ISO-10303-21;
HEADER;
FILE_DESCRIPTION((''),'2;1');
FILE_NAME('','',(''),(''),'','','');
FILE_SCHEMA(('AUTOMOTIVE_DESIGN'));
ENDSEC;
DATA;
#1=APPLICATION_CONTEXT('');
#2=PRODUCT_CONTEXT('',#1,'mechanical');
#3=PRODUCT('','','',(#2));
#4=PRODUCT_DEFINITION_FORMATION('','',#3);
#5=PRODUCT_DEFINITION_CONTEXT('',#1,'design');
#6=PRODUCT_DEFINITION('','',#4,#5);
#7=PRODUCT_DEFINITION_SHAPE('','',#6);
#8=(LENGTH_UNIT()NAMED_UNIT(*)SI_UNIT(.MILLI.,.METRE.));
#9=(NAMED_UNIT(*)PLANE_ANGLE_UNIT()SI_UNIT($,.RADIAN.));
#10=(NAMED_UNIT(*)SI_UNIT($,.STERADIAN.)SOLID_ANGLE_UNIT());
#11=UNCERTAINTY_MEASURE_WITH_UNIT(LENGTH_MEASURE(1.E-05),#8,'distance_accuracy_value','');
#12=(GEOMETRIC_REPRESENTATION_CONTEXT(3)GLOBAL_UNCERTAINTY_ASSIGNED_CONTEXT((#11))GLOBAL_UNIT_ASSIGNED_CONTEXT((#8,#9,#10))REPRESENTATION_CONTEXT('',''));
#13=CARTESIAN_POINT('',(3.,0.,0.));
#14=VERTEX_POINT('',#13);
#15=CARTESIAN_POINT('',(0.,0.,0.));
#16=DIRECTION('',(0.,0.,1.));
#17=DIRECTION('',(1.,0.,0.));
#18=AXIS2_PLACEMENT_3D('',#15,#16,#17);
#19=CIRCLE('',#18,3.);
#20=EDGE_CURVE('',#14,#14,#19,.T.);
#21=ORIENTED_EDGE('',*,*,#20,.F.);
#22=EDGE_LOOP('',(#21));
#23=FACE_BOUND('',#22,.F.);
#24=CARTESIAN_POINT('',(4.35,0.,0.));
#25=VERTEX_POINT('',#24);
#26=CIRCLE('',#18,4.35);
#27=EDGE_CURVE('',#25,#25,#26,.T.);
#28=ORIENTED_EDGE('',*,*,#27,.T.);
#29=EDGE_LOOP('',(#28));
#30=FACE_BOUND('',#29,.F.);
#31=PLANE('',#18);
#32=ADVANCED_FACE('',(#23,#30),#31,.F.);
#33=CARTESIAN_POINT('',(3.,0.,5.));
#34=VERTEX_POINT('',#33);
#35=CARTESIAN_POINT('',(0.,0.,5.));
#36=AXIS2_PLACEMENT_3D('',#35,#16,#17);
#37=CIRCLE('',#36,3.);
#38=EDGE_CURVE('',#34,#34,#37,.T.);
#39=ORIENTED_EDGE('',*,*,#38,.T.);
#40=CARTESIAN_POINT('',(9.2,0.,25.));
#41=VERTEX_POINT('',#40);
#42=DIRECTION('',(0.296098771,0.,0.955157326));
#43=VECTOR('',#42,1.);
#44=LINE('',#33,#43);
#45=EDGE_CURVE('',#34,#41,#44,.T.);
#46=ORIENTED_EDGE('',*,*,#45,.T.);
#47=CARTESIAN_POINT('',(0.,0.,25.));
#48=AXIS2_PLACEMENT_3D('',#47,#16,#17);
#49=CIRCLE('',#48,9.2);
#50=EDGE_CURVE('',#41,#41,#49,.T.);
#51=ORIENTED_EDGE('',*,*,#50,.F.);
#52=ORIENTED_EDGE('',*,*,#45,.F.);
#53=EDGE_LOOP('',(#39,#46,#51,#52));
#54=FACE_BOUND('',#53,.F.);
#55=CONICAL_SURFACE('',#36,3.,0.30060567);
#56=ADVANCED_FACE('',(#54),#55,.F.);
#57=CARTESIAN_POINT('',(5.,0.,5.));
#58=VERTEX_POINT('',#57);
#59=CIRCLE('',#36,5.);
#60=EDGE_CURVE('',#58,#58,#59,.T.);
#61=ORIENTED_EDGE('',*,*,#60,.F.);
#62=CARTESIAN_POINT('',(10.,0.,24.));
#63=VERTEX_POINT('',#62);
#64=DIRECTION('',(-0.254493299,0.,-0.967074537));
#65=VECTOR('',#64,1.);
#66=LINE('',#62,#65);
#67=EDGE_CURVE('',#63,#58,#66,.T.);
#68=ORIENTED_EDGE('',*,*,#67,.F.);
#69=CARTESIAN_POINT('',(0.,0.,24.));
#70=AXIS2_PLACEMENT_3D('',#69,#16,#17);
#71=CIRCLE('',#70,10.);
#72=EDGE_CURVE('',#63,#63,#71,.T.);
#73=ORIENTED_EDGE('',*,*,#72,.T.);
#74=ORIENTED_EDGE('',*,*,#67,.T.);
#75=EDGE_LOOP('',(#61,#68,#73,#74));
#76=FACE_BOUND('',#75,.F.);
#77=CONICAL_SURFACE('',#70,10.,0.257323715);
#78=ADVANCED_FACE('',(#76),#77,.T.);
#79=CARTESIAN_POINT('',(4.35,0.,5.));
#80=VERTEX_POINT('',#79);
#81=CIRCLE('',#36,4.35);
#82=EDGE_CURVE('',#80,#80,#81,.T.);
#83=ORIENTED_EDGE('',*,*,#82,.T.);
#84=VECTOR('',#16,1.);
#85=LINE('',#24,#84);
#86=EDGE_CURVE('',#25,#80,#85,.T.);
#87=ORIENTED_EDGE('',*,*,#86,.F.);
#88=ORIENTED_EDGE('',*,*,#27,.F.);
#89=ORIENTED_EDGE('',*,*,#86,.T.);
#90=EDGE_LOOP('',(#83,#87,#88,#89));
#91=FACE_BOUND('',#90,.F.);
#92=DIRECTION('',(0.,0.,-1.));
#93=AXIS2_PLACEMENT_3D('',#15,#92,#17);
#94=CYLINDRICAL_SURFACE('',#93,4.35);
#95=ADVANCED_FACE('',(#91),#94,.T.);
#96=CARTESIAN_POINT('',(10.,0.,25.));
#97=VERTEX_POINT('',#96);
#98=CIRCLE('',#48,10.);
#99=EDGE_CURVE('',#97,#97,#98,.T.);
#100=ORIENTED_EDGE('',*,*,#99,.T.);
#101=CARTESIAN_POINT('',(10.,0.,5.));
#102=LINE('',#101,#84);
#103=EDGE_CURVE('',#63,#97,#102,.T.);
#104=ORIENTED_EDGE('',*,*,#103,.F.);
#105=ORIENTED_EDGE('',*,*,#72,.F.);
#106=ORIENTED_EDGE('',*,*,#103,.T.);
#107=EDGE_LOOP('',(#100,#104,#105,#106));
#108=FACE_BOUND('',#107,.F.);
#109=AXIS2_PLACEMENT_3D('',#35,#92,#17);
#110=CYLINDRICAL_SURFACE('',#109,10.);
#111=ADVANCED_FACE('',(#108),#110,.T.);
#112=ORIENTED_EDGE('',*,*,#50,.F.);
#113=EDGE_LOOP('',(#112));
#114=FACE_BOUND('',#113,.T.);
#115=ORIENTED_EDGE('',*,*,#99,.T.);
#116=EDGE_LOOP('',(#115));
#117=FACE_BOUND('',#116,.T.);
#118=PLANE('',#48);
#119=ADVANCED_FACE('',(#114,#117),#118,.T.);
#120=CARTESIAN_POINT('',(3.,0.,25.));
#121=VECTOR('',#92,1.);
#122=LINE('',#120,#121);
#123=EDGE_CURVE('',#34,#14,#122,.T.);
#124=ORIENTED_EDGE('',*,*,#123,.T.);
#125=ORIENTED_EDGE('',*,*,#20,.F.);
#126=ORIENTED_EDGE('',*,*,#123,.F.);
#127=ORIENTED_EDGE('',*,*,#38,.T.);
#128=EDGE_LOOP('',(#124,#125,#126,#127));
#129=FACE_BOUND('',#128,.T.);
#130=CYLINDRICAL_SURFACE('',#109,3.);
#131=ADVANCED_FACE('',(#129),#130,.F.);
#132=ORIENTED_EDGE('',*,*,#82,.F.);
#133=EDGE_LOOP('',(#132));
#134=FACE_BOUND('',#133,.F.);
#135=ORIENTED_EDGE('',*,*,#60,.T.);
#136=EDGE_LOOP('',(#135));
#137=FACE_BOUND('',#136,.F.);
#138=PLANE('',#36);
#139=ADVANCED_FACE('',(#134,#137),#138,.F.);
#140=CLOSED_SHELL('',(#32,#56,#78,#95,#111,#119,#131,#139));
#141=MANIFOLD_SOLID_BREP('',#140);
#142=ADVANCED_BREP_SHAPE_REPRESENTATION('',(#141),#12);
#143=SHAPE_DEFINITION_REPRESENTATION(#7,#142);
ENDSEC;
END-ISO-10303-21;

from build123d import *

# Parameters (mm, degrees)
F0_R     = 4.35
F0_R_2   = 3
F1_DEPTH = 5
F2_R     = 10
F2_R_2   = 3
F3_DEPTH = 20
F4_SIZE2 = 6.2
F4_SIZE  = 20
F5_SIZE2 = 5
F5_SIZE  = 19


with BuildPart() as f1:
    # F0 (on Top) → F1 (new body)
    with BuildSketch(Plane.XY):
        Circle(F0_R)
        Circle(F0_R_2, mode=Mode.SUBTRACT)
    extrude(amount=F1_DEPTH)

    # F2 (on face) → F3 (join)
    with BuildSketch(Plane.XY.offset(5)):
        Circle(F2_R)
        Circle(F2_R_2, mode=Mode.SUBTRACT)
    extrude(amount=F3_DEPTH)

    # F4
    f4_edges = [f1.edges().sort_by_distance(p)[0] for p in [
        (-3, 0, 25),
    ]]
    f4_side = f1.faces().sort_by_distance((-3, 0, 12.5))[0]
    chamfer(f4_edges, length=F4_SIZE, length2=F4_SIZE2, reference=f4_side)

    # F5
    f5_edges = [f1.edges().sort_by_distance(p)[0] for p in [
        (-10, 0, 5),
    ]]
    f5_side = f1.faces().sort_by_distance((-10, 0, 15))[0]
    chamfer(f5_edges, length=F5_SIZE, length2=F5_SIZE2, reference=f5_side)


solid = f1.part
